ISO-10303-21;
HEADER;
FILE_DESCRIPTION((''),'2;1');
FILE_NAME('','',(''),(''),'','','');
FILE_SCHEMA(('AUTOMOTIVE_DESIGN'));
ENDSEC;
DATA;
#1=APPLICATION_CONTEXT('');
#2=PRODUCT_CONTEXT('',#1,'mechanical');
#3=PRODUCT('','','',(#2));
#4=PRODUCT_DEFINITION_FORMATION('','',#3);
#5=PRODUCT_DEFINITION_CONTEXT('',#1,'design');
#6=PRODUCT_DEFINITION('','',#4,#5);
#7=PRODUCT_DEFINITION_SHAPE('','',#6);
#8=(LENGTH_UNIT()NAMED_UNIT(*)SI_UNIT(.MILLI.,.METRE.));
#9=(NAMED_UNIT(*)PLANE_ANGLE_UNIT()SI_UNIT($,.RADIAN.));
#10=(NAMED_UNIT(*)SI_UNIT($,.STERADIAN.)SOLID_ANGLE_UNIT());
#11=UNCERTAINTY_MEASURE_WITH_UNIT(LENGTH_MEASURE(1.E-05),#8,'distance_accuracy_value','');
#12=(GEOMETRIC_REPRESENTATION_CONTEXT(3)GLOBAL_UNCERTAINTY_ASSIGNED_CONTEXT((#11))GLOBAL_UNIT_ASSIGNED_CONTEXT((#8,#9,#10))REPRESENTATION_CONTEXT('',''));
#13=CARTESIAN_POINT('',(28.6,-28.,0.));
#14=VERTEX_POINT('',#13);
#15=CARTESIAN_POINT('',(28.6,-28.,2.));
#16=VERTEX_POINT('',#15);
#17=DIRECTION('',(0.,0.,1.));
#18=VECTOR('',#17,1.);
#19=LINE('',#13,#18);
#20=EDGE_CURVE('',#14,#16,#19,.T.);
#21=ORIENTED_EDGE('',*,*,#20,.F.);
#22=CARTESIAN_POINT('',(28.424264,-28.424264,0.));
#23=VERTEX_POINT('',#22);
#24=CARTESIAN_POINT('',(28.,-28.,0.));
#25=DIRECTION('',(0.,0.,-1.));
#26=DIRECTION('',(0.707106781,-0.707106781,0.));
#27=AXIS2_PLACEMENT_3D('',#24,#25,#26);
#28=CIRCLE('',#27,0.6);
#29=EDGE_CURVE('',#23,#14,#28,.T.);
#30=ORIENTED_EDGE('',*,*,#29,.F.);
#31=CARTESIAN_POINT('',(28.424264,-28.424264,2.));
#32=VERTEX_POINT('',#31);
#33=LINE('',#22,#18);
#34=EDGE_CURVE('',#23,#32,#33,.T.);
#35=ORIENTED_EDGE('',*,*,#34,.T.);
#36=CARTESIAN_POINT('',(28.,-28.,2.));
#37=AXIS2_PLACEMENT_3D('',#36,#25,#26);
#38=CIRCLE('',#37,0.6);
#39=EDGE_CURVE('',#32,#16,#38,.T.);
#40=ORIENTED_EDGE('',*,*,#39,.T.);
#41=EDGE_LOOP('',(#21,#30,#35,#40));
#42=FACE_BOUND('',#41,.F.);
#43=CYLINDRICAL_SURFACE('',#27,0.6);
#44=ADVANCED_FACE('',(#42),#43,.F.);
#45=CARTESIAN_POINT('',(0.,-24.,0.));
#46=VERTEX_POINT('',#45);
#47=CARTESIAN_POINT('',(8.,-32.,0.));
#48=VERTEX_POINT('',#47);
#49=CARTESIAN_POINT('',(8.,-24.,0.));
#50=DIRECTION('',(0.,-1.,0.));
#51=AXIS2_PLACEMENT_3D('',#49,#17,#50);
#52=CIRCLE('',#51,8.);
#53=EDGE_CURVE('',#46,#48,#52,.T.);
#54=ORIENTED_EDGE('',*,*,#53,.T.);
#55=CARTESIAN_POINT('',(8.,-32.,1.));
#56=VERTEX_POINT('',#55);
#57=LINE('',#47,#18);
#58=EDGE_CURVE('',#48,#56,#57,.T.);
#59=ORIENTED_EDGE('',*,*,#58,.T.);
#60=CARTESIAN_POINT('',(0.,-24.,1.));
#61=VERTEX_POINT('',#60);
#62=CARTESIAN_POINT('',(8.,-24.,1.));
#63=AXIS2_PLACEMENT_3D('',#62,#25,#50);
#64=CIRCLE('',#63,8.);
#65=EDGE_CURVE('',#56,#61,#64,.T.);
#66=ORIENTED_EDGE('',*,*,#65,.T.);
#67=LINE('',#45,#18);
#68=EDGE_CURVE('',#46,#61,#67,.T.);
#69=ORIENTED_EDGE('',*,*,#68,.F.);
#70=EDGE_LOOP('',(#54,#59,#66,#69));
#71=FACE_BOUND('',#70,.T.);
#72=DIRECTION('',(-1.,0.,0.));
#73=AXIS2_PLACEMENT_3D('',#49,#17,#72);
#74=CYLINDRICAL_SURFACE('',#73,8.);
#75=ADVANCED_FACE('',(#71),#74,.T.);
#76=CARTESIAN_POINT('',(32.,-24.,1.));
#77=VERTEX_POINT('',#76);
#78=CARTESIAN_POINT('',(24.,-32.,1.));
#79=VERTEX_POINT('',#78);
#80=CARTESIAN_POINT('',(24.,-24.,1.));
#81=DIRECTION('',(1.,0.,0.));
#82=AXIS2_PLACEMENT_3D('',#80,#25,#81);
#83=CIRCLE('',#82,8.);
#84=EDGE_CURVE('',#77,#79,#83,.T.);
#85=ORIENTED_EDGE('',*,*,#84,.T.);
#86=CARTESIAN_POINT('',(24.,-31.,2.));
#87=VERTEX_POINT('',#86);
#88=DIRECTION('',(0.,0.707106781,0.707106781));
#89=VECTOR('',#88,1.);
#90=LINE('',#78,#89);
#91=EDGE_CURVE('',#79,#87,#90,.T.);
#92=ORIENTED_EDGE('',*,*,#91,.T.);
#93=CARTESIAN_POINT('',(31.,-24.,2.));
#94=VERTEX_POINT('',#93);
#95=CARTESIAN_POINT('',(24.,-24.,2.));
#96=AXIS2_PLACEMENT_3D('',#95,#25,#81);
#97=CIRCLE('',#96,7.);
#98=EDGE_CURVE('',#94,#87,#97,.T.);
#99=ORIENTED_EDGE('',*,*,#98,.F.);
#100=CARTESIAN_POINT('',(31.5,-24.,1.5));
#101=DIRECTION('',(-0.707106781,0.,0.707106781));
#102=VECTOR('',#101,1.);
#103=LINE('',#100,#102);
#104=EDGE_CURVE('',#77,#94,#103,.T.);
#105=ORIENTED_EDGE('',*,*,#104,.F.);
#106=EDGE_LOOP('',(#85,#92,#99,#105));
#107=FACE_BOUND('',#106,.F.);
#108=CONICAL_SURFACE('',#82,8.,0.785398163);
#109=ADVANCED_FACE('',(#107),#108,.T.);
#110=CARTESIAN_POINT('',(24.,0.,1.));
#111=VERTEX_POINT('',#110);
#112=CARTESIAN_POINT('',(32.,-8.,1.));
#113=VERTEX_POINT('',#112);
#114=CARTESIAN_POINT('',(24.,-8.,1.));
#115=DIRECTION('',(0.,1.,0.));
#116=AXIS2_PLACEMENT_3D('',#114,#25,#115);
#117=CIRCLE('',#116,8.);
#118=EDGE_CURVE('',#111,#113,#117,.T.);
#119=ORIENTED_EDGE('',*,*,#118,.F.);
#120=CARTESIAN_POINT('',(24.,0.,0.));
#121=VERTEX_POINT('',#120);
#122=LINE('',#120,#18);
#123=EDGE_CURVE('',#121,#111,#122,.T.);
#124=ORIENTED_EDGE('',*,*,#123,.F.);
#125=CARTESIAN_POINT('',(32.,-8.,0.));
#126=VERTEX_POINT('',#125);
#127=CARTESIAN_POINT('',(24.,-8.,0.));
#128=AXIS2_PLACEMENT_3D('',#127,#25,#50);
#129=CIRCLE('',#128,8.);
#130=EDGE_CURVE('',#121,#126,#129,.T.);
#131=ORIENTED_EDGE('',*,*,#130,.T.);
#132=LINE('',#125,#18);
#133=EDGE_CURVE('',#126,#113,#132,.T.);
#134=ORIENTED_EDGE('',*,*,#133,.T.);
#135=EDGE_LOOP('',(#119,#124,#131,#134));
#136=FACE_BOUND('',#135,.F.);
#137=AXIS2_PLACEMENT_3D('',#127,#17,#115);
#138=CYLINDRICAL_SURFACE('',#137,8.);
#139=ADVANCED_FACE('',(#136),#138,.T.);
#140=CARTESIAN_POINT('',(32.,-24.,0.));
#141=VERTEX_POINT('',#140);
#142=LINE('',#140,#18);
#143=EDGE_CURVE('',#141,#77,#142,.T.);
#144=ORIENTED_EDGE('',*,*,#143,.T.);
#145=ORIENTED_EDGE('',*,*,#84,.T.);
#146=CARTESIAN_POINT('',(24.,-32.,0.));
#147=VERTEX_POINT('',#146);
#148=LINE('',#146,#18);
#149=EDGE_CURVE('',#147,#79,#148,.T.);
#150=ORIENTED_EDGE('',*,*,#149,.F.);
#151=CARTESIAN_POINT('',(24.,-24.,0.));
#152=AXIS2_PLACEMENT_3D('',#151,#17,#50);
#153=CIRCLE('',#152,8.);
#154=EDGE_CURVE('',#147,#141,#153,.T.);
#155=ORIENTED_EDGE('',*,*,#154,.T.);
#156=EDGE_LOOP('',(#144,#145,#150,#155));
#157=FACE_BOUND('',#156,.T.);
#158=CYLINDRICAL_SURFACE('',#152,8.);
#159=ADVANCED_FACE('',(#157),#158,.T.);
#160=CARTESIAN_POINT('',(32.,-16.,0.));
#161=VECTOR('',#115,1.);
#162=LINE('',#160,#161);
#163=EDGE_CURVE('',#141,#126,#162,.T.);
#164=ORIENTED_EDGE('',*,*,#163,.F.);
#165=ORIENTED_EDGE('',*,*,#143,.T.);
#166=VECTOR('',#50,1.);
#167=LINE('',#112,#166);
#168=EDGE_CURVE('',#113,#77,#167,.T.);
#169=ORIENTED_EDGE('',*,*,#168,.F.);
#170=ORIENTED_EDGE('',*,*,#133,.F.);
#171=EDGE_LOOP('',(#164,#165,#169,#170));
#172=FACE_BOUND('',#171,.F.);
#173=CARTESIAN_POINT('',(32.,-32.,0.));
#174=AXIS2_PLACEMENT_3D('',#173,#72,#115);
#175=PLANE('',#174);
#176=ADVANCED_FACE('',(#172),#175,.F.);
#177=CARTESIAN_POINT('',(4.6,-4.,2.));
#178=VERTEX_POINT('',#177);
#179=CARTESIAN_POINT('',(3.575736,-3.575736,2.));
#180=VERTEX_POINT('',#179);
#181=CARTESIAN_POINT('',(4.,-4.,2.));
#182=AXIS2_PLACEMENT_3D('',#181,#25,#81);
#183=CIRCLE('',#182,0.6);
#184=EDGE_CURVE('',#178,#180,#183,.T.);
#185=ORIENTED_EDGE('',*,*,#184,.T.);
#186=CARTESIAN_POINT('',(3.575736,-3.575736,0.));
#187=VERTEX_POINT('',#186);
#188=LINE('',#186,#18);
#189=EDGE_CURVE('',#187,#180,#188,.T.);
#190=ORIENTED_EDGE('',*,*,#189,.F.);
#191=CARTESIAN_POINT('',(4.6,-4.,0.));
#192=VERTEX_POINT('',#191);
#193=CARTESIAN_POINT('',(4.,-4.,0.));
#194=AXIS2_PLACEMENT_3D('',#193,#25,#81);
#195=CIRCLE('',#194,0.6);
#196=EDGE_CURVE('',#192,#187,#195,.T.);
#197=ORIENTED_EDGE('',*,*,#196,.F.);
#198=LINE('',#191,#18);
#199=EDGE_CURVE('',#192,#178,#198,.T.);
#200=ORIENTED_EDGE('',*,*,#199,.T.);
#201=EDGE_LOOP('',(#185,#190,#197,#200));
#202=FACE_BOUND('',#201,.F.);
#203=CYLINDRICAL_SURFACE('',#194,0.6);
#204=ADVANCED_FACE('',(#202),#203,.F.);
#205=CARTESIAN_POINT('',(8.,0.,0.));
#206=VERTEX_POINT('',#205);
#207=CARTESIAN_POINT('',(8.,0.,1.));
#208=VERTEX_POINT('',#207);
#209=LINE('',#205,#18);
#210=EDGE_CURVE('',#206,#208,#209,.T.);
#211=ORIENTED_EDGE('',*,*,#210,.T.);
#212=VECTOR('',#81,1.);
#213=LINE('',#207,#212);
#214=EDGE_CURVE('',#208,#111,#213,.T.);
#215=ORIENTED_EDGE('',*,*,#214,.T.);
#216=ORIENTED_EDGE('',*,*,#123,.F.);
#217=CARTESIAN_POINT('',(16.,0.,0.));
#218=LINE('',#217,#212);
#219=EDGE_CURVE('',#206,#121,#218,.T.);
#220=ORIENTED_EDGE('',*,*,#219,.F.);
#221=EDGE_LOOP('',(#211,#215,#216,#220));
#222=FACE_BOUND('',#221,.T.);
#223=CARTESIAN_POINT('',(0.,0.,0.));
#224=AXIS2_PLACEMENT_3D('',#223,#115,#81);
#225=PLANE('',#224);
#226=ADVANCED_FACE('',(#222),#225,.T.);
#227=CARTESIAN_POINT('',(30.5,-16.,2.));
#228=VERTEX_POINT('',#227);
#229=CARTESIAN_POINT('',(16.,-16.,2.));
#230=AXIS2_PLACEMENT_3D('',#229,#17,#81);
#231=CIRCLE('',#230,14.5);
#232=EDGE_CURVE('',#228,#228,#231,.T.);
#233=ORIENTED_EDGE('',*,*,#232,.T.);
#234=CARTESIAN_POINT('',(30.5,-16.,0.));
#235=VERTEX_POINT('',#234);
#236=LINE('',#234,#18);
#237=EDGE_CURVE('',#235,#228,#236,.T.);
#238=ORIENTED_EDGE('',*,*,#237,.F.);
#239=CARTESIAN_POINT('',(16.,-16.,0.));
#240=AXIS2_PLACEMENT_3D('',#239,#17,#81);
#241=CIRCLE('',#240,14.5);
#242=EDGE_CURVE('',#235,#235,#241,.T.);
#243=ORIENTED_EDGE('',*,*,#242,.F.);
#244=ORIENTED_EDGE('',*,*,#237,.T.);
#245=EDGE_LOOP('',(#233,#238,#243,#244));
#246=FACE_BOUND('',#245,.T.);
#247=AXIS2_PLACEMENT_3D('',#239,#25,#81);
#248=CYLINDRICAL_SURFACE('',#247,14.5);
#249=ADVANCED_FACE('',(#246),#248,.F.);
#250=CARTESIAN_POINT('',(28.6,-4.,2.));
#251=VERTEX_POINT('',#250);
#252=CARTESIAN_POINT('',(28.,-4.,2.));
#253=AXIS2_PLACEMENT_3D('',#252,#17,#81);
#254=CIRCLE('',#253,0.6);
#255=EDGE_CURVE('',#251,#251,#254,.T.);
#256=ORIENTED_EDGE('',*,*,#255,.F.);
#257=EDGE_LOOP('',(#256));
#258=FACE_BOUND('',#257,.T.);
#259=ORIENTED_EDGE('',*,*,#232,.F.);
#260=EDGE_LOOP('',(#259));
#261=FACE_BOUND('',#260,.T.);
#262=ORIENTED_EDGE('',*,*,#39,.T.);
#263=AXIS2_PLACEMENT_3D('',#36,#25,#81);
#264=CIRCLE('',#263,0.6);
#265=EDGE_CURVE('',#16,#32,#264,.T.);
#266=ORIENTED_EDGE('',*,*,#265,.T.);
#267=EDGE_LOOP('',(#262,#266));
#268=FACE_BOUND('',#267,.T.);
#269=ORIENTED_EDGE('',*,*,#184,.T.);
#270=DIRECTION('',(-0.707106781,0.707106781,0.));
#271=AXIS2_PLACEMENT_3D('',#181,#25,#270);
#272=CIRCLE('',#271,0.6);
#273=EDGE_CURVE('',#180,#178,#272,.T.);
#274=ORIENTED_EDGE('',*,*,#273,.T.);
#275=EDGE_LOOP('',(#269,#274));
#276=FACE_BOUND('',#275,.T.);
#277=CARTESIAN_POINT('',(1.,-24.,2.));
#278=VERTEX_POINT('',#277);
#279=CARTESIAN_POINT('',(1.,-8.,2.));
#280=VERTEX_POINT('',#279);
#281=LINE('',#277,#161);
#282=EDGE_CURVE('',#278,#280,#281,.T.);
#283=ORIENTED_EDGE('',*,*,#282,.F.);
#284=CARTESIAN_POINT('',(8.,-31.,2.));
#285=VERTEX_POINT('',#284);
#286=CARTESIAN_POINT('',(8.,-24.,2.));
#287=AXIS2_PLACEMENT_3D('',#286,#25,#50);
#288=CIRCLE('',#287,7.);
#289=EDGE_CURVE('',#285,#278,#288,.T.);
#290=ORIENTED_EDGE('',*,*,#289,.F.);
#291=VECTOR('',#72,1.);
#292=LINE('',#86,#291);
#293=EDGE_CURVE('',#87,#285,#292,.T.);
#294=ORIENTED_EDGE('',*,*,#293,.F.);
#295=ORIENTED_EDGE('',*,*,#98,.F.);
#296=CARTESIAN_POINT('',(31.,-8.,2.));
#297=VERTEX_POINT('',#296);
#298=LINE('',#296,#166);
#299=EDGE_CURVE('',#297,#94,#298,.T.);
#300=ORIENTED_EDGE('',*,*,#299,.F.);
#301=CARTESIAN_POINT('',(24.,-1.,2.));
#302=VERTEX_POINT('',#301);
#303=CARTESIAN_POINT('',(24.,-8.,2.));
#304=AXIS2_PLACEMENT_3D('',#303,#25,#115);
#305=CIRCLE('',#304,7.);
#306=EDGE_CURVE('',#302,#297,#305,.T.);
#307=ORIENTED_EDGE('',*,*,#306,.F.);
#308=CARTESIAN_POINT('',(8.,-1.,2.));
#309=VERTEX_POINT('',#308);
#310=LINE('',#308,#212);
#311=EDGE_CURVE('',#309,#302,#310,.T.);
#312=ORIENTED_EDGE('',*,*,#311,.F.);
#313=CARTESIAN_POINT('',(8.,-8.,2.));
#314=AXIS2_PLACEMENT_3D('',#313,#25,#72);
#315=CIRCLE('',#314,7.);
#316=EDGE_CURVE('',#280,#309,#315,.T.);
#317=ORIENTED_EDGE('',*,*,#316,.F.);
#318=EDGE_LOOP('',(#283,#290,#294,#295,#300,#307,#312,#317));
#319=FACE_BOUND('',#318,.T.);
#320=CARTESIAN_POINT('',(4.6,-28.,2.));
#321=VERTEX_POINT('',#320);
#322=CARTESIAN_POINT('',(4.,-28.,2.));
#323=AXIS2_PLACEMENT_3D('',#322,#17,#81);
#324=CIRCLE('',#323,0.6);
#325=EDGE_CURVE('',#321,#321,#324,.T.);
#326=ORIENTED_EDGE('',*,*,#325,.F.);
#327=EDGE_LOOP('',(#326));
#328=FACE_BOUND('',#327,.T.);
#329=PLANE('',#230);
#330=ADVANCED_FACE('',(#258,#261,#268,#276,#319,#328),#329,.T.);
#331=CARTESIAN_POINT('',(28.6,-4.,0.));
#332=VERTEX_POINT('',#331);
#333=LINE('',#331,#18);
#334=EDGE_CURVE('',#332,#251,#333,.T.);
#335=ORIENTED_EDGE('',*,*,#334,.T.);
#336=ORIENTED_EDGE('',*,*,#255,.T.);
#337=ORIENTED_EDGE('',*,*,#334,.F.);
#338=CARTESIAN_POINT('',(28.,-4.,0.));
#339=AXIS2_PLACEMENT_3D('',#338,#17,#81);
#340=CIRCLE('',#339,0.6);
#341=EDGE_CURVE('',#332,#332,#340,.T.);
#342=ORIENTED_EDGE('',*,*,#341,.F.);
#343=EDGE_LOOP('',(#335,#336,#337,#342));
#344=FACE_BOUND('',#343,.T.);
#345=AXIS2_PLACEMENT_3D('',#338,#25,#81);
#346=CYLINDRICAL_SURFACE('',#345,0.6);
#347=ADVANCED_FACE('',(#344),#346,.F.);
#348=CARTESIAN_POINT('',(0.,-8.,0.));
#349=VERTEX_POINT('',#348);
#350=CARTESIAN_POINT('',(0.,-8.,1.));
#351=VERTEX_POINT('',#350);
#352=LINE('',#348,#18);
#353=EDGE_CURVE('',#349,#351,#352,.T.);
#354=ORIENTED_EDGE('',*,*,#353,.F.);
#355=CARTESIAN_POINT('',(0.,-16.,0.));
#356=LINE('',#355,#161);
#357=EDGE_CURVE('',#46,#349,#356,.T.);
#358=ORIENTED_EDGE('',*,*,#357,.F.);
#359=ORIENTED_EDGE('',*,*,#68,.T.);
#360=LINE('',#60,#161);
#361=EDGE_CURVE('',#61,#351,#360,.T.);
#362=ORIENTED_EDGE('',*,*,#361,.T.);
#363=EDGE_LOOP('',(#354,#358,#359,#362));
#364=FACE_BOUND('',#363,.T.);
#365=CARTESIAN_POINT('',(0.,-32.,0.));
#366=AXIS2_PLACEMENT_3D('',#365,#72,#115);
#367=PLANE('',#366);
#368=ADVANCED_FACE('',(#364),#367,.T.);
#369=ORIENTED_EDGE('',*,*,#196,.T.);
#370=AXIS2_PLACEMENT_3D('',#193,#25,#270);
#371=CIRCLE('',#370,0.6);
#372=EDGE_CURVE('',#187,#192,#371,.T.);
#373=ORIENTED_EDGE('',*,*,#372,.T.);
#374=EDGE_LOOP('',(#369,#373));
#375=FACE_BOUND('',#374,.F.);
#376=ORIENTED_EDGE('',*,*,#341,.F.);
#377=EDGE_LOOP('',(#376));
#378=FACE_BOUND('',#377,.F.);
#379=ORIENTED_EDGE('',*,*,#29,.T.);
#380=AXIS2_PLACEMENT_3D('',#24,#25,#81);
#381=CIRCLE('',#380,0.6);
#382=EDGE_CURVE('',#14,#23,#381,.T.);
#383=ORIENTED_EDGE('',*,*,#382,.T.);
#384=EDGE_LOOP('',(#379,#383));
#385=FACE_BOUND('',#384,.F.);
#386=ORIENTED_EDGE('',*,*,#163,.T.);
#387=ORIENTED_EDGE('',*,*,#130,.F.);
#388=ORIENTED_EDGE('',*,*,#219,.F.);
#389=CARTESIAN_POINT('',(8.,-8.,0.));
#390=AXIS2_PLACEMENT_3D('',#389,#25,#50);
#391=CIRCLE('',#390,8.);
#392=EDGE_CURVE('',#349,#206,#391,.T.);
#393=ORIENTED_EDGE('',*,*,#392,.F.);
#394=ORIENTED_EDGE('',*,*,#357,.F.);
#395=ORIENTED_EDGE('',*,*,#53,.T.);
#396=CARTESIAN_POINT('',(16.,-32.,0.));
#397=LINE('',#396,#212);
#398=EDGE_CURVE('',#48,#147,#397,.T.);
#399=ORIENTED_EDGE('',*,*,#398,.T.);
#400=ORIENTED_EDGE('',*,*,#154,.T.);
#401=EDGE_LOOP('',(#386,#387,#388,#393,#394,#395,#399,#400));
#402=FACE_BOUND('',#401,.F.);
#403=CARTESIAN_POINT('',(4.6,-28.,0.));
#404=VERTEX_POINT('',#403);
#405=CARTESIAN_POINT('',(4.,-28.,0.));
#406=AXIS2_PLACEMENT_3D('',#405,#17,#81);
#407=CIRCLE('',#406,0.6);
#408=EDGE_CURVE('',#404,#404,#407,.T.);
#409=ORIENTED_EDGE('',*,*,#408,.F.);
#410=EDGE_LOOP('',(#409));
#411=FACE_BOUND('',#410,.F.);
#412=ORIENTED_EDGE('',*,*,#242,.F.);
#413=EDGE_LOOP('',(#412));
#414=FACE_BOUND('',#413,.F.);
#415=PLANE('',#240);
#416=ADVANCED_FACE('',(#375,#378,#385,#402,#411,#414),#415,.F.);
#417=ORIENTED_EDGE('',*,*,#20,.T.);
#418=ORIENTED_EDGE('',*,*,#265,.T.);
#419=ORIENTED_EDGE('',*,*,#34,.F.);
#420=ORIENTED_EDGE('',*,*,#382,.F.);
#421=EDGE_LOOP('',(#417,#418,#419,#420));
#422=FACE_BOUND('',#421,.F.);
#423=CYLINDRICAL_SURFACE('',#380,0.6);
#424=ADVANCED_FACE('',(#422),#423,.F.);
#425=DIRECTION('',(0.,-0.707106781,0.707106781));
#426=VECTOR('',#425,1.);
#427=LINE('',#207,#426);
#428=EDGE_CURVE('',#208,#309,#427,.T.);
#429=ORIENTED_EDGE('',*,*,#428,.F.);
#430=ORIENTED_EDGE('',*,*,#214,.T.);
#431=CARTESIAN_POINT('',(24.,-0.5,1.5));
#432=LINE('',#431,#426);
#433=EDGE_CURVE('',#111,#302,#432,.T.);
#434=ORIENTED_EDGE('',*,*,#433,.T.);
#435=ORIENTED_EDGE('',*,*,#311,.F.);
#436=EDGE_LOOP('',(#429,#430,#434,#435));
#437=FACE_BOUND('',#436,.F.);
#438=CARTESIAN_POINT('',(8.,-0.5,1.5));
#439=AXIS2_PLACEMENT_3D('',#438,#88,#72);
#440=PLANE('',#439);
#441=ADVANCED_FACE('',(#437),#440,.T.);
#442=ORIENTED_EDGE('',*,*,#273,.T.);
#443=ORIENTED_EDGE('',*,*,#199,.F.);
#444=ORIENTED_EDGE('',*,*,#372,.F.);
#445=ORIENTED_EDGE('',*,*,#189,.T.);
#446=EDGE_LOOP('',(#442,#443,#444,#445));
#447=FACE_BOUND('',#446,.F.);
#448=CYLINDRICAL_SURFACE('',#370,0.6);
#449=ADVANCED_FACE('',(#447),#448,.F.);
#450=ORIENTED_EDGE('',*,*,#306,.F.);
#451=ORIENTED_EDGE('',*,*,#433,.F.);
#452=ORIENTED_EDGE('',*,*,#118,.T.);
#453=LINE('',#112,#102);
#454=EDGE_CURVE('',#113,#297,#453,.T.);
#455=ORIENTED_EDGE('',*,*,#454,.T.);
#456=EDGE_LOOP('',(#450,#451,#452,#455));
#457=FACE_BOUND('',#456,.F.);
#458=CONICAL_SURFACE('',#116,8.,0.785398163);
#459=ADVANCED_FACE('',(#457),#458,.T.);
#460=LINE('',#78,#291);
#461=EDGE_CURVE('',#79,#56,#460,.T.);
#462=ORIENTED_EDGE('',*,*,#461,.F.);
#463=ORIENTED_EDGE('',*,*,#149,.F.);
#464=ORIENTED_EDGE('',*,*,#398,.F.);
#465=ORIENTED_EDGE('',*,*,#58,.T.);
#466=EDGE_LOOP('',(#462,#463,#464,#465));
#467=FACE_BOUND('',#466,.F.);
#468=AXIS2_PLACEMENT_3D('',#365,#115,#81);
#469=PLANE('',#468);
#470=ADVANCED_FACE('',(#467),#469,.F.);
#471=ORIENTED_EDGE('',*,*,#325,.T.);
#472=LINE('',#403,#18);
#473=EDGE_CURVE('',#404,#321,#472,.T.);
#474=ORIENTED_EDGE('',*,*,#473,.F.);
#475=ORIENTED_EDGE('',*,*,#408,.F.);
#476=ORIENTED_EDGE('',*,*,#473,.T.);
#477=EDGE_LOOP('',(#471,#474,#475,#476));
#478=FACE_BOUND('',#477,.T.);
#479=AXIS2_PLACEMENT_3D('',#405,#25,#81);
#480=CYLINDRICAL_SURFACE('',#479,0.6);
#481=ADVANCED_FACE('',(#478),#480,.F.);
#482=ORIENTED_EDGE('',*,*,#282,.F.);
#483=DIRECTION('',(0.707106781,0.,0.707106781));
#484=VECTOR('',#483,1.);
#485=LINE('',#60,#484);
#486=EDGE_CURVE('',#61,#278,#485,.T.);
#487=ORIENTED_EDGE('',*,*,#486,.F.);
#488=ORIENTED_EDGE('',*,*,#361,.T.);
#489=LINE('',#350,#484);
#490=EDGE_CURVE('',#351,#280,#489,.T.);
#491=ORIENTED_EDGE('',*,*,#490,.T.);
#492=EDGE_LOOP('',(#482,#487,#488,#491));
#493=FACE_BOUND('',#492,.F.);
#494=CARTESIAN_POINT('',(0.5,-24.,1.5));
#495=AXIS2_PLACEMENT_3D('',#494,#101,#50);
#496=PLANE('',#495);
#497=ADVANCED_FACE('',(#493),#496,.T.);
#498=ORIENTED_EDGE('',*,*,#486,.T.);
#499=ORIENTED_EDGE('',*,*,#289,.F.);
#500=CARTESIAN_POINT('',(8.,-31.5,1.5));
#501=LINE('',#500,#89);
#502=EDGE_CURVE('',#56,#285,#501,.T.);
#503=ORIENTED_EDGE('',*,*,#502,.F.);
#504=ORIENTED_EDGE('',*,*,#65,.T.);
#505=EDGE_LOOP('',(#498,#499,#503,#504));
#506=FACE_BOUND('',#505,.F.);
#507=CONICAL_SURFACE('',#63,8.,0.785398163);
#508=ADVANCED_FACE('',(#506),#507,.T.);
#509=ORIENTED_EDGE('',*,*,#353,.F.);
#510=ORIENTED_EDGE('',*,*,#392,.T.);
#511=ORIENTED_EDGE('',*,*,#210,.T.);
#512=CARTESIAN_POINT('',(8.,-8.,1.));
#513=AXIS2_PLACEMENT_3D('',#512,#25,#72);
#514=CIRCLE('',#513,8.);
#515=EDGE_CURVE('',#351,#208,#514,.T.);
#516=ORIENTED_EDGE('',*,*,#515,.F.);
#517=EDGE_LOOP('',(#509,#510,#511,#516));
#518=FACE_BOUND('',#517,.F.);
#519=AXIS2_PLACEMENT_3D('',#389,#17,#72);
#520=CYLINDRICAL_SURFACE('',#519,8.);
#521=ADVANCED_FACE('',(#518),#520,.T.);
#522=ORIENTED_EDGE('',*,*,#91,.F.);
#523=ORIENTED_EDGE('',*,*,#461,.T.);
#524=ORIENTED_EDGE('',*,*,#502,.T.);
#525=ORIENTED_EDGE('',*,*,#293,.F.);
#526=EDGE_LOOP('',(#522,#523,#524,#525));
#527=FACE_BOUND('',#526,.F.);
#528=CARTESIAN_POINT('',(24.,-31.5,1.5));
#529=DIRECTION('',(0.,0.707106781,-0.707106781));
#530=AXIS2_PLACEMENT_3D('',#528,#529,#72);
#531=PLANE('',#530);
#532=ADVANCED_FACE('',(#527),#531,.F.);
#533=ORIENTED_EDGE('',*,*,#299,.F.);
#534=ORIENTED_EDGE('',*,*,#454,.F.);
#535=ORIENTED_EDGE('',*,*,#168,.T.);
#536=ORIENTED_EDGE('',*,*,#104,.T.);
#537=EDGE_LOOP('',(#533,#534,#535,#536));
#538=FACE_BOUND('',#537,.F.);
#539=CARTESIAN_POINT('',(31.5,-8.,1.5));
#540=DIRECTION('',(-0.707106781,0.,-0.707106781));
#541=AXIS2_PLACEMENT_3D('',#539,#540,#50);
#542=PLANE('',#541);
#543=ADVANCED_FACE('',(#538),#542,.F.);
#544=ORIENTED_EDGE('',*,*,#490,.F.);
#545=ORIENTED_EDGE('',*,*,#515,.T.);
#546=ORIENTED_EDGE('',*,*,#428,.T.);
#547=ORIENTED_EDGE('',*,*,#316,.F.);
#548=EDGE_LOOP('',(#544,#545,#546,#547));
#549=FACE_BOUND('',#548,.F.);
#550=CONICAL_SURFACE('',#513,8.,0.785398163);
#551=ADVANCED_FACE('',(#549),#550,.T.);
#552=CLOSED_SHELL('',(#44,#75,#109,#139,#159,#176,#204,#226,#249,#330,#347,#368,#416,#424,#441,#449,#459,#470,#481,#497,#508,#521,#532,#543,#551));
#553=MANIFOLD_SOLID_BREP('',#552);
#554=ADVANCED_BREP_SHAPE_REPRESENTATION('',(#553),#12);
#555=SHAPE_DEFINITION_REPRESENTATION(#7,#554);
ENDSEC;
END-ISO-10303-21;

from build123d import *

# Parameters (mm, degrees)
F0_W     = 32
F0_H     = 32
F0_R     = 0.6
F0_R_2   = 14.5
F1_DEPTH = 2
F2_R     = 8
F3_SIZE  = 1


with BuildPart() as f1:
    # F0 (on Top) → F1 (new body)
    with BuildSketch(Plane.XY):
        with Locations((16, -16)):
            Rectangle(F0_W, F0_H)
        with Locations((4, -28)):
            Circle(F0_R, mode=Mode.SUBTRACT)
        with BuildLine():
            ThreePointArc((28.6, -28), (28.5543277195, -28.2296100594), (28.4242640687, -28.4242640687))
            ThreePointArc((28.4242640687, -28.4242640687), (27.4456722805, -27.7703899406), (28.6, -28))
        make_face(mode=Mode.SUBTRACT)
        with BuildLine():
            ThreePointArc((4.6, -4), (3.7703899406, -4.5543277195), (3.5757359313, -3.5757359313))
            ThreePointArc((3.5757359313, -3.5757359313), (4.2296100594, -3.4456722805), (4.6, -4))
        make_face(mode=Mode.SUBTRACT)
        with Locations((16, -16)):
            Circle(F0_R_2, mode=Mode.SUBTRACT)
        with Locations((28, -4)):
            Circle(F0_R, mode=Mode.SUBTRACT)
    extrude(amount=F1_DEPTH)

    # F2
    f2_edges = [f1.edges().sort_by_distance(p)[0] for p in [
        (32, 0, 1),
        (0, 0, 1),
        (0, -32, 1),
        (32, -32, 1),
    ]]
    fillet(f2_edges, radius=F2_R)

    # F3
    f3_edges = [f1.edges().sort_by_distance(p)[0] for p in [
        (2.343146, -2.343146, 2),
    ]]
    chamfer(f3_edges, length=F3_SIZE)


solid = f1.part
